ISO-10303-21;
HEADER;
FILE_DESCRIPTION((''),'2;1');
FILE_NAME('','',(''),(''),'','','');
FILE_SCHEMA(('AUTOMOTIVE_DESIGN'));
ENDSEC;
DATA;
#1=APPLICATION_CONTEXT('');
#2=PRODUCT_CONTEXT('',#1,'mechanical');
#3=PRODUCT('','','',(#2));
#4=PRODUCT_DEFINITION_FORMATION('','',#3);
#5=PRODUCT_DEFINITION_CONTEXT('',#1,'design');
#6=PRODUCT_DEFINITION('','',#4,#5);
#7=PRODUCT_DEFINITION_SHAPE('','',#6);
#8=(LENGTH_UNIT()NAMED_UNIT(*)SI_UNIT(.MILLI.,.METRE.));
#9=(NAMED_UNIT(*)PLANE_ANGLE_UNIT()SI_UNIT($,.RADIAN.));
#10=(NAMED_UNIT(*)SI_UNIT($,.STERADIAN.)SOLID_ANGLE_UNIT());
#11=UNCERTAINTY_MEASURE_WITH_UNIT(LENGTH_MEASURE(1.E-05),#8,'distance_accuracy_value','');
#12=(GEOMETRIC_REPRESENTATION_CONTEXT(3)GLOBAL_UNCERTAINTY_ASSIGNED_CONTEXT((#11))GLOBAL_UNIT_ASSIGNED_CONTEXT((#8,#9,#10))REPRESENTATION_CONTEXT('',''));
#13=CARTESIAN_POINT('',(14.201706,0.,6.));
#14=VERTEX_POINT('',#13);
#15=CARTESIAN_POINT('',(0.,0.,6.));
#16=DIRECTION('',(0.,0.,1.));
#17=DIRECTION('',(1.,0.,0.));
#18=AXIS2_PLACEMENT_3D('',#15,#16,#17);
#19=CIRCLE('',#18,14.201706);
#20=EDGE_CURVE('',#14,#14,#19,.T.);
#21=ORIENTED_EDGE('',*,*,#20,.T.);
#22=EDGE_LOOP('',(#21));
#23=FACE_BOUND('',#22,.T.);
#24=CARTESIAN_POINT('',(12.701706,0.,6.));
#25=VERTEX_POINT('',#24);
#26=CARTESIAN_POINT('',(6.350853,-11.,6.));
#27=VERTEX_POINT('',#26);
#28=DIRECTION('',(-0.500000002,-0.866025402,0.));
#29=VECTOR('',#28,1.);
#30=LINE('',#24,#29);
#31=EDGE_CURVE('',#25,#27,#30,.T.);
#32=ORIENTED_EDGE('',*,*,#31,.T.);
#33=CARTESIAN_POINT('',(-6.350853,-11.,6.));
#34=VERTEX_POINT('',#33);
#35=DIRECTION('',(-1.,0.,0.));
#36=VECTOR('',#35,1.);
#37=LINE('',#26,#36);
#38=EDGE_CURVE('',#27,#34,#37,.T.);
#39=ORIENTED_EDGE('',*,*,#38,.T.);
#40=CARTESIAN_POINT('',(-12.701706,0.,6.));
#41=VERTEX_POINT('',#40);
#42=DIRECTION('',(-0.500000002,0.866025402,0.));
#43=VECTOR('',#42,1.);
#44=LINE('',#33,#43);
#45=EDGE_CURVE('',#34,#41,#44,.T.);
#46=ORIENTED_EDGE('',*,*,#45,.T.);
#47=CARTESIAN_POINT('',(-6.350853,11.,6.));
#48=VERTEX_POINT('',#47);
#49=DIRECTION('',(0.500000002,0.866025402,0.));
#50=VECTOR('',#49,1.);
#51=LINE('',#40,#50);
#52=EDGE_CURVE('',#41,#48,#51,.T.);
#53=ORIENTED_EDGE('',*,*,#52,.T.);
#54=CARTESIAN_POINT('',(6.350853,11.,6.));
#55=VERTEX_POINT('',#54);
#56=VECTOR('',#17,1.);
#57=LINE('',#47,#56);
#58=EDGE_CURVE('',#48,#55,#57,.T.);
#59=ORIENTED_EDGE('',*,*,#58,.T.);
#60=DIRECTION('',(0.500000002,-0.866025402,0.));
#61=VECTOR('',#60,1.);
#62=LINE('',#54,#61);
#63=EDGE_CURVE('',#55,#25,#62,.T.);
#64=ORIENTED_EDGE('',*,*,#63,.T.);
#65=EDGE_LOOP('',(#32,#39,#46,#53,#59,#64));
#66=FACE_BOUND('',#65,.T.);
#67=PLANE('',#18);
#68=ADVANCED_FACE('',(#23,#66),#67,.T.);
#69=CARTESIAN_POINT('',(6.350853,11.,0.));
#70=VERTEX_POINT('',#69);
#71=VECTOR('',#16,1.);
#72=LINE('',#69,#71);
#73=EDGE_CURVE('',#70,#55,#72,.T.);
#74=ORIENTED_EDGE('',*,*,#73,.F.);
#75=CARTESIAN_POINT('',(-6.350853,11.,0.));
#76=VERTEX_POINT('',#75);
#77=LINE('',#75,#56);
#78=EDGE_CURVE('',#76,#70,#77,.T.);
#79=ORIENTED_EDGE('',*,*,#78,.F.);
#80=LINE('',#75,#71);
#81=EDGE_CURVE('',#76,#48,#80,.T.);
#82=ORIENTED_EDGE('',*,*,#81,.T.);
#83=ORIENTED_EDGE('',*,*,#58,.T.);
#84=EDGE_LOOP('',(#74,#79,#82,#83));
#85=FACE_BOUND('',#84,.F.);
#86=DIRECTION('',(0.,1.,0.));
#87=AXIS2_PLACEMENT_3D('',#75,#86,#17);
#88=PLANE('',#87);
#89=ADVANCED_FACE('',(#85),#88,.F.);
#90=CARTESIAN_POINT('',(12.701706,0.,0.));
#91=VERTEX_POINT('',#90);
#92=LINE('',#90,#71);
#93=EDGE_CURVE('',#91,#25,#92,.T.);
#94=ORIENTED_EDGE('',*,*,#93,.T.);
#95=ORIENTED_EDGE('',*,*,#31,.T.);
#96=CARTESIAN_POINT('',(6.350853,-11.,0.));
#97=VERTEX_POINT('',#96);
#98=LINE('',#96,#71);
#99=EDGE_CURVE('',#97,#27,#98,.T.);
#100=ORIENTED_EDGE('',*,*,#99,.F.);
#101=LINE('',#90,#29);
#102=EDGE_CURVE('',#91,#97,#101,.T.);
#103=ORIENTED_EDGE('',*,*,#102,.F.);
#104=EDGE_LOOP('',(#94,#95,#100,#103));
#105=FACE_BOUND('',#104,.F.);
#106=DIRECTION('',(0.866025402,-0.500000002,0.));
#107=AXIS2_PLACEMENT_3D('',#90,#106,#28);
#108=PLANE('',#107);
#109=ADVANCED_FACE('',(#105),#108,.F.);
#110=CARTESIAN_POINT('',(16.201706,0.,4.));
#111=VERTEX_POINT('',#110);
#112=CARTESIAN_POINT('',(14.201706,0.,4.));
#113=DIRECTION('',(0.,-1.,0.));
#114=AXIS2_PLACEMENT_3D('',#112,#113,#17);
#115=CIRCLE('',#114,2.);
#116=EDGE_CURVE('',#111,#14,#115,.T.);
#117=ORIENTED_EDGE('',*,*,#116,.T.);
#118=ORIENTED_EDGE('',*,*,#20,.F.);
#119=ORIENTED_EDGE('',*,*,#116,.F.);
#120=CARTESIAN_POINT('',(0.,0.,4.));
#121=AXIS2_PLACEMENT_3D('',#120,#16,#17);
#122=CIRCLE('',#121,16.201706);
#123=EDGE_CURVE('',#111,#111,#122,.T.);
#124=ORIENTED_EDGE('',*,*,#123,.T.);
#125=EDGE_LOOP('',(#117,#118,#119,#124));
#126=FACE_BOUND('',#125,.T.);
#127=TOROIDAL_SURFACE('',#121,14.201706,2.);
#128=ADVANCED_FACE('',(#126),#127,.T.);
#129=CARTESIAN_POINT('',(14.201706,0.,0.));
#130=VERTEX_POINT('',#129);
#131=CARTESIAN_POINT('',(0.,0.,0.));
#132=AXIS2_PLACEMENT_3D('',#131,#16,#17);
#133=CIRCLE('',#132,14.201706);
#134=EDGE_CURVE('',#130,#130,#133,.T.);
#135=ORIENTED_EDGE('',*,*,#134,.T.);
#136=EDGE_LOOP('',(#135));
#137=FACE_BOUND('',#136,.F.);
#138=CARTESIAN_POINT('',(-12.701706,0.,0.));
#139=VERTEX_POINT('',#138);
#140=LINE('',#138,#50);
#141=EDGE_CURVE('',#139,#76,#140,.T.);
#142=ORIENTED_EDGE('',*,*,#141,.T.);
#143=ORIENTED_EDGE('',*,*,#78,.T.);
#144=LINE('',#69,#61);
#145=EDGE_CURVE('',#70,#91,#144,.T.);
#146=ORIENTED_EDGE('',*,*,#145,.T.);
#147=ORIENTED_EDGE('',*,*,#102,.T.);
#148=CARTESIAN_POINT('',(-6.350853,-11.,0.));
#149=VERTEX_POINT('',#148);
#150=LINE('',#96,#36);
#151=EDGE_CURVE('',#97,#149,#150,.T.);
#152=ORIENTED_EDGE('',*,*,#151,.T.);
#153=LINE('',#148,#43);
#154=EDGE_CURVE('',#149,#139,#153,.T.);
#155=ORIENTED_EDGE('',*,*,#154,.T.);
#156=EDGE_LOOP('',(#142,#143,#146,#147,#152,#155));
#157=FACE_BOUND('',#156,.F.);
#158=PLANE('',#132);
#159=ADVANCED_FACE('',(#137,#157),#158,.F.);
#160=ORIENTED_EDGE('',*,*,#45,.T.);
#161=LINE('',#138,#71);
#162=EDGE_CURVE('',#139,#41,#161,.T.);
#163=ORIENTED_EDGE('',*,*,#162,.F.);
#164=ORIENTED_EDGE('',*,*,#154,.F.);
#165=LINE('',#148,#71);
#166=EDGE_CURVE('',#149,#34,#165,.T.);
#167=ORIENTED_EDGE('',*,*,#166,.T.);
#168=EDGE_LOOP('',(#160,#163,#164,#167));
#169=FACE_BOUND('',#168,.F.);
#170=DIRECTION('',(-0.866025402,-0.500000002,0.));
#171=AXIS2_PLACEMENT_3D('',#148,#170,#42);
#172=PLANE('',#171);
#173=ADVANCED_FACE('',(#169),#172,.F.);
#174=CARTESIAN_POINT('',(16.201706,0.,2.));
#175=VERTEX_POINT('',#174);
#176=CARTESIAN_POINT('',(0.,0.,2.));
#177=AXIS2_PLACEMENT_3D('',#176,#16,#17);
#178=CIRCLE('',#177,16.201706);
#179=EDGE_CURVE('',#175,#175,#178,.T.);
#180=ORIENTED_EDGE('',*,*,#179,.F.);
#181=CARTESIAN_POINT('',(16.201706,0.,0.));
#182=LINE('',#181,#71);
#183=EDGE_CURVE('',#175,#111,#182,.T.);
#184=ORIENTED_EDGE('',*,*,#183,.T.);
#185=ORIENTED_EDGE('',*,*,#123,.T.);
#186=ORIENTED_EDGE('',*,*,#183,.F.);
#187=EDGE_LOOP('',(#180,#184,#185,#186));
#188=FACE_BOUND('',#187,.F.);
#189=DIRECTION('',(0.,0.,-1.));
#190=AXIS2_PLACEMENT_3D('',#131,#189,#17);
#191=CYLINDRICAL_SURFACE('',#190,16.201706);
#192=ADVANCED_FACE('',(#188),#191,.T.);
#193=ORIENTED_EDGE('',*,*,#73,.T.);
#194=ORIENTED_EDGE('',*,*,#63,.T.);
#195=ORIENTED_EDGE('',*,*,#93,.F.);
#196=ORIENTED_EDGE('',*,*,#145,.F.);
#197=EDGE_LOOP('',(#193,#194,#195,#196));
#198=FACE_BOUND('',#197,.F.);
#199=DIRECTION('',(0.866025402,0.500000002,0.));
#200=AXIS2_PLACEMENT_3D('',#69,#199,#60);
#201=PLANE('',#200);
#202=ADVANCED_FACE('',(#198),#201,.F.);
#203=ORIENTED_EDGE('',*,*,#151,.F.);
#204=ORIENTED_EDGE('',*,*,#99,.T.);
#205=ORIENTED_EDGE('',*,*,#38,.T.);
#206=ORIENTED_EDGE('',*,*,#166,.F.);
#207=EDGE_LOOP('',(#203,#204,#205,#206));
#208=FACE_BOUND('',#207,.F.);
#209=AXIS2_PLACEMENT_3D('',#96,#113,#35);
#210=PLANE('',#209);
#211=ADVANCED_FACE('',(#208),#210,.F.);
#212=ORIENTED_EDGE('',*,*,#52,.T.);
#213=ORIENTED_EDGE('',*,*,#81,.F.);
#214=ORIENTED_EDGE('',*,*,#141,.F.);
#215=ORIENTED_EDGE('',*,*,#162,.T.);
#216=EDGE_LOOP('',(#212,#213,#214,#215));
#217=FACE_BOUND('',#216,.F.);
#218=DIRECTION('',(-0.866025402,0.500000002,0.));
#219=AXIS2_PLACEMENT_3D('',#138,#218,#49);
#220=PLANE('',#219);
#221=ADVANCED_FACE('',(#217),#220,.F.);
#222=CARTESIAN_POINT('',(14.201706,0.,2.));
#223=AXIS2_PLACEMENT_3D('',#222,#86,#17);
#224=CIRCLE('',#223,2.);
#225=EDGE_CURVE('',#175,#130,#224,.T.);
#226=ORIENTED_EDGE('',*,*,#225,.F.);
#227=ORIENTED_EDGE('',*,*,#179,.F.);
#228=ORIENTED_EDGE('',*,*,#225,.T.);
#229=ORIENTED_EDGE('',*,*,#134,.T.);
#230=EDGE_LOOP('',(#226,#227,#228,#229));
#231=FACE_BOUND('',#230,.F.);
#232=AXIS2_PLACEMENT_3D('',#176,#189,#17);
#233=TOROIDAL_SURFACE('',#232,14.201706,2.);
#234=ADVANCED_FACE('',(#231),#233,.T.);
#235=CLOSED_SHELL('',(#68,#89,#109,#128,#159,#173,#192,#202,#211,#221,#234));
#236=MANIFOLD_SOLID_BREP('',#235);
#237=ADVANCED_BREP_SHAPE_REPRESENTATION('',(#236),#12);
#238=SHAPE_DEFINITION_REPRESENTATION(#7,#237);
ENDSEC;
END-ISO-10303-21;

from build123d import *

# Parameters (mm, degrees)
F0_R     = 16.201706
F1_DEPTH = 6
F2_R     = 2


with BuildPart() as f1:
    # F0 (on Top) → F1 (new body)
    with BuildSketch(Plane.XY):
        Circle(F0_R)
        Polygon((-12.701706, 0), (-6.350853, 11), (6.350853, 11), (12.701706, 0), (6.350853, -11), (-6.350853, -11), align=None, mode=Mode.SUBTRACT)
    extrude(amount=F1_DEPTH)

    # F2
    f2_edges = [f1.edges().sort_by_distance(p)[0] for p in [
        (-16.201706, 0, 6),
        (-16.201706, 0, 0),
    ]]
    fillet(f2_edges, radius=F2_R)


solid = f1.part
